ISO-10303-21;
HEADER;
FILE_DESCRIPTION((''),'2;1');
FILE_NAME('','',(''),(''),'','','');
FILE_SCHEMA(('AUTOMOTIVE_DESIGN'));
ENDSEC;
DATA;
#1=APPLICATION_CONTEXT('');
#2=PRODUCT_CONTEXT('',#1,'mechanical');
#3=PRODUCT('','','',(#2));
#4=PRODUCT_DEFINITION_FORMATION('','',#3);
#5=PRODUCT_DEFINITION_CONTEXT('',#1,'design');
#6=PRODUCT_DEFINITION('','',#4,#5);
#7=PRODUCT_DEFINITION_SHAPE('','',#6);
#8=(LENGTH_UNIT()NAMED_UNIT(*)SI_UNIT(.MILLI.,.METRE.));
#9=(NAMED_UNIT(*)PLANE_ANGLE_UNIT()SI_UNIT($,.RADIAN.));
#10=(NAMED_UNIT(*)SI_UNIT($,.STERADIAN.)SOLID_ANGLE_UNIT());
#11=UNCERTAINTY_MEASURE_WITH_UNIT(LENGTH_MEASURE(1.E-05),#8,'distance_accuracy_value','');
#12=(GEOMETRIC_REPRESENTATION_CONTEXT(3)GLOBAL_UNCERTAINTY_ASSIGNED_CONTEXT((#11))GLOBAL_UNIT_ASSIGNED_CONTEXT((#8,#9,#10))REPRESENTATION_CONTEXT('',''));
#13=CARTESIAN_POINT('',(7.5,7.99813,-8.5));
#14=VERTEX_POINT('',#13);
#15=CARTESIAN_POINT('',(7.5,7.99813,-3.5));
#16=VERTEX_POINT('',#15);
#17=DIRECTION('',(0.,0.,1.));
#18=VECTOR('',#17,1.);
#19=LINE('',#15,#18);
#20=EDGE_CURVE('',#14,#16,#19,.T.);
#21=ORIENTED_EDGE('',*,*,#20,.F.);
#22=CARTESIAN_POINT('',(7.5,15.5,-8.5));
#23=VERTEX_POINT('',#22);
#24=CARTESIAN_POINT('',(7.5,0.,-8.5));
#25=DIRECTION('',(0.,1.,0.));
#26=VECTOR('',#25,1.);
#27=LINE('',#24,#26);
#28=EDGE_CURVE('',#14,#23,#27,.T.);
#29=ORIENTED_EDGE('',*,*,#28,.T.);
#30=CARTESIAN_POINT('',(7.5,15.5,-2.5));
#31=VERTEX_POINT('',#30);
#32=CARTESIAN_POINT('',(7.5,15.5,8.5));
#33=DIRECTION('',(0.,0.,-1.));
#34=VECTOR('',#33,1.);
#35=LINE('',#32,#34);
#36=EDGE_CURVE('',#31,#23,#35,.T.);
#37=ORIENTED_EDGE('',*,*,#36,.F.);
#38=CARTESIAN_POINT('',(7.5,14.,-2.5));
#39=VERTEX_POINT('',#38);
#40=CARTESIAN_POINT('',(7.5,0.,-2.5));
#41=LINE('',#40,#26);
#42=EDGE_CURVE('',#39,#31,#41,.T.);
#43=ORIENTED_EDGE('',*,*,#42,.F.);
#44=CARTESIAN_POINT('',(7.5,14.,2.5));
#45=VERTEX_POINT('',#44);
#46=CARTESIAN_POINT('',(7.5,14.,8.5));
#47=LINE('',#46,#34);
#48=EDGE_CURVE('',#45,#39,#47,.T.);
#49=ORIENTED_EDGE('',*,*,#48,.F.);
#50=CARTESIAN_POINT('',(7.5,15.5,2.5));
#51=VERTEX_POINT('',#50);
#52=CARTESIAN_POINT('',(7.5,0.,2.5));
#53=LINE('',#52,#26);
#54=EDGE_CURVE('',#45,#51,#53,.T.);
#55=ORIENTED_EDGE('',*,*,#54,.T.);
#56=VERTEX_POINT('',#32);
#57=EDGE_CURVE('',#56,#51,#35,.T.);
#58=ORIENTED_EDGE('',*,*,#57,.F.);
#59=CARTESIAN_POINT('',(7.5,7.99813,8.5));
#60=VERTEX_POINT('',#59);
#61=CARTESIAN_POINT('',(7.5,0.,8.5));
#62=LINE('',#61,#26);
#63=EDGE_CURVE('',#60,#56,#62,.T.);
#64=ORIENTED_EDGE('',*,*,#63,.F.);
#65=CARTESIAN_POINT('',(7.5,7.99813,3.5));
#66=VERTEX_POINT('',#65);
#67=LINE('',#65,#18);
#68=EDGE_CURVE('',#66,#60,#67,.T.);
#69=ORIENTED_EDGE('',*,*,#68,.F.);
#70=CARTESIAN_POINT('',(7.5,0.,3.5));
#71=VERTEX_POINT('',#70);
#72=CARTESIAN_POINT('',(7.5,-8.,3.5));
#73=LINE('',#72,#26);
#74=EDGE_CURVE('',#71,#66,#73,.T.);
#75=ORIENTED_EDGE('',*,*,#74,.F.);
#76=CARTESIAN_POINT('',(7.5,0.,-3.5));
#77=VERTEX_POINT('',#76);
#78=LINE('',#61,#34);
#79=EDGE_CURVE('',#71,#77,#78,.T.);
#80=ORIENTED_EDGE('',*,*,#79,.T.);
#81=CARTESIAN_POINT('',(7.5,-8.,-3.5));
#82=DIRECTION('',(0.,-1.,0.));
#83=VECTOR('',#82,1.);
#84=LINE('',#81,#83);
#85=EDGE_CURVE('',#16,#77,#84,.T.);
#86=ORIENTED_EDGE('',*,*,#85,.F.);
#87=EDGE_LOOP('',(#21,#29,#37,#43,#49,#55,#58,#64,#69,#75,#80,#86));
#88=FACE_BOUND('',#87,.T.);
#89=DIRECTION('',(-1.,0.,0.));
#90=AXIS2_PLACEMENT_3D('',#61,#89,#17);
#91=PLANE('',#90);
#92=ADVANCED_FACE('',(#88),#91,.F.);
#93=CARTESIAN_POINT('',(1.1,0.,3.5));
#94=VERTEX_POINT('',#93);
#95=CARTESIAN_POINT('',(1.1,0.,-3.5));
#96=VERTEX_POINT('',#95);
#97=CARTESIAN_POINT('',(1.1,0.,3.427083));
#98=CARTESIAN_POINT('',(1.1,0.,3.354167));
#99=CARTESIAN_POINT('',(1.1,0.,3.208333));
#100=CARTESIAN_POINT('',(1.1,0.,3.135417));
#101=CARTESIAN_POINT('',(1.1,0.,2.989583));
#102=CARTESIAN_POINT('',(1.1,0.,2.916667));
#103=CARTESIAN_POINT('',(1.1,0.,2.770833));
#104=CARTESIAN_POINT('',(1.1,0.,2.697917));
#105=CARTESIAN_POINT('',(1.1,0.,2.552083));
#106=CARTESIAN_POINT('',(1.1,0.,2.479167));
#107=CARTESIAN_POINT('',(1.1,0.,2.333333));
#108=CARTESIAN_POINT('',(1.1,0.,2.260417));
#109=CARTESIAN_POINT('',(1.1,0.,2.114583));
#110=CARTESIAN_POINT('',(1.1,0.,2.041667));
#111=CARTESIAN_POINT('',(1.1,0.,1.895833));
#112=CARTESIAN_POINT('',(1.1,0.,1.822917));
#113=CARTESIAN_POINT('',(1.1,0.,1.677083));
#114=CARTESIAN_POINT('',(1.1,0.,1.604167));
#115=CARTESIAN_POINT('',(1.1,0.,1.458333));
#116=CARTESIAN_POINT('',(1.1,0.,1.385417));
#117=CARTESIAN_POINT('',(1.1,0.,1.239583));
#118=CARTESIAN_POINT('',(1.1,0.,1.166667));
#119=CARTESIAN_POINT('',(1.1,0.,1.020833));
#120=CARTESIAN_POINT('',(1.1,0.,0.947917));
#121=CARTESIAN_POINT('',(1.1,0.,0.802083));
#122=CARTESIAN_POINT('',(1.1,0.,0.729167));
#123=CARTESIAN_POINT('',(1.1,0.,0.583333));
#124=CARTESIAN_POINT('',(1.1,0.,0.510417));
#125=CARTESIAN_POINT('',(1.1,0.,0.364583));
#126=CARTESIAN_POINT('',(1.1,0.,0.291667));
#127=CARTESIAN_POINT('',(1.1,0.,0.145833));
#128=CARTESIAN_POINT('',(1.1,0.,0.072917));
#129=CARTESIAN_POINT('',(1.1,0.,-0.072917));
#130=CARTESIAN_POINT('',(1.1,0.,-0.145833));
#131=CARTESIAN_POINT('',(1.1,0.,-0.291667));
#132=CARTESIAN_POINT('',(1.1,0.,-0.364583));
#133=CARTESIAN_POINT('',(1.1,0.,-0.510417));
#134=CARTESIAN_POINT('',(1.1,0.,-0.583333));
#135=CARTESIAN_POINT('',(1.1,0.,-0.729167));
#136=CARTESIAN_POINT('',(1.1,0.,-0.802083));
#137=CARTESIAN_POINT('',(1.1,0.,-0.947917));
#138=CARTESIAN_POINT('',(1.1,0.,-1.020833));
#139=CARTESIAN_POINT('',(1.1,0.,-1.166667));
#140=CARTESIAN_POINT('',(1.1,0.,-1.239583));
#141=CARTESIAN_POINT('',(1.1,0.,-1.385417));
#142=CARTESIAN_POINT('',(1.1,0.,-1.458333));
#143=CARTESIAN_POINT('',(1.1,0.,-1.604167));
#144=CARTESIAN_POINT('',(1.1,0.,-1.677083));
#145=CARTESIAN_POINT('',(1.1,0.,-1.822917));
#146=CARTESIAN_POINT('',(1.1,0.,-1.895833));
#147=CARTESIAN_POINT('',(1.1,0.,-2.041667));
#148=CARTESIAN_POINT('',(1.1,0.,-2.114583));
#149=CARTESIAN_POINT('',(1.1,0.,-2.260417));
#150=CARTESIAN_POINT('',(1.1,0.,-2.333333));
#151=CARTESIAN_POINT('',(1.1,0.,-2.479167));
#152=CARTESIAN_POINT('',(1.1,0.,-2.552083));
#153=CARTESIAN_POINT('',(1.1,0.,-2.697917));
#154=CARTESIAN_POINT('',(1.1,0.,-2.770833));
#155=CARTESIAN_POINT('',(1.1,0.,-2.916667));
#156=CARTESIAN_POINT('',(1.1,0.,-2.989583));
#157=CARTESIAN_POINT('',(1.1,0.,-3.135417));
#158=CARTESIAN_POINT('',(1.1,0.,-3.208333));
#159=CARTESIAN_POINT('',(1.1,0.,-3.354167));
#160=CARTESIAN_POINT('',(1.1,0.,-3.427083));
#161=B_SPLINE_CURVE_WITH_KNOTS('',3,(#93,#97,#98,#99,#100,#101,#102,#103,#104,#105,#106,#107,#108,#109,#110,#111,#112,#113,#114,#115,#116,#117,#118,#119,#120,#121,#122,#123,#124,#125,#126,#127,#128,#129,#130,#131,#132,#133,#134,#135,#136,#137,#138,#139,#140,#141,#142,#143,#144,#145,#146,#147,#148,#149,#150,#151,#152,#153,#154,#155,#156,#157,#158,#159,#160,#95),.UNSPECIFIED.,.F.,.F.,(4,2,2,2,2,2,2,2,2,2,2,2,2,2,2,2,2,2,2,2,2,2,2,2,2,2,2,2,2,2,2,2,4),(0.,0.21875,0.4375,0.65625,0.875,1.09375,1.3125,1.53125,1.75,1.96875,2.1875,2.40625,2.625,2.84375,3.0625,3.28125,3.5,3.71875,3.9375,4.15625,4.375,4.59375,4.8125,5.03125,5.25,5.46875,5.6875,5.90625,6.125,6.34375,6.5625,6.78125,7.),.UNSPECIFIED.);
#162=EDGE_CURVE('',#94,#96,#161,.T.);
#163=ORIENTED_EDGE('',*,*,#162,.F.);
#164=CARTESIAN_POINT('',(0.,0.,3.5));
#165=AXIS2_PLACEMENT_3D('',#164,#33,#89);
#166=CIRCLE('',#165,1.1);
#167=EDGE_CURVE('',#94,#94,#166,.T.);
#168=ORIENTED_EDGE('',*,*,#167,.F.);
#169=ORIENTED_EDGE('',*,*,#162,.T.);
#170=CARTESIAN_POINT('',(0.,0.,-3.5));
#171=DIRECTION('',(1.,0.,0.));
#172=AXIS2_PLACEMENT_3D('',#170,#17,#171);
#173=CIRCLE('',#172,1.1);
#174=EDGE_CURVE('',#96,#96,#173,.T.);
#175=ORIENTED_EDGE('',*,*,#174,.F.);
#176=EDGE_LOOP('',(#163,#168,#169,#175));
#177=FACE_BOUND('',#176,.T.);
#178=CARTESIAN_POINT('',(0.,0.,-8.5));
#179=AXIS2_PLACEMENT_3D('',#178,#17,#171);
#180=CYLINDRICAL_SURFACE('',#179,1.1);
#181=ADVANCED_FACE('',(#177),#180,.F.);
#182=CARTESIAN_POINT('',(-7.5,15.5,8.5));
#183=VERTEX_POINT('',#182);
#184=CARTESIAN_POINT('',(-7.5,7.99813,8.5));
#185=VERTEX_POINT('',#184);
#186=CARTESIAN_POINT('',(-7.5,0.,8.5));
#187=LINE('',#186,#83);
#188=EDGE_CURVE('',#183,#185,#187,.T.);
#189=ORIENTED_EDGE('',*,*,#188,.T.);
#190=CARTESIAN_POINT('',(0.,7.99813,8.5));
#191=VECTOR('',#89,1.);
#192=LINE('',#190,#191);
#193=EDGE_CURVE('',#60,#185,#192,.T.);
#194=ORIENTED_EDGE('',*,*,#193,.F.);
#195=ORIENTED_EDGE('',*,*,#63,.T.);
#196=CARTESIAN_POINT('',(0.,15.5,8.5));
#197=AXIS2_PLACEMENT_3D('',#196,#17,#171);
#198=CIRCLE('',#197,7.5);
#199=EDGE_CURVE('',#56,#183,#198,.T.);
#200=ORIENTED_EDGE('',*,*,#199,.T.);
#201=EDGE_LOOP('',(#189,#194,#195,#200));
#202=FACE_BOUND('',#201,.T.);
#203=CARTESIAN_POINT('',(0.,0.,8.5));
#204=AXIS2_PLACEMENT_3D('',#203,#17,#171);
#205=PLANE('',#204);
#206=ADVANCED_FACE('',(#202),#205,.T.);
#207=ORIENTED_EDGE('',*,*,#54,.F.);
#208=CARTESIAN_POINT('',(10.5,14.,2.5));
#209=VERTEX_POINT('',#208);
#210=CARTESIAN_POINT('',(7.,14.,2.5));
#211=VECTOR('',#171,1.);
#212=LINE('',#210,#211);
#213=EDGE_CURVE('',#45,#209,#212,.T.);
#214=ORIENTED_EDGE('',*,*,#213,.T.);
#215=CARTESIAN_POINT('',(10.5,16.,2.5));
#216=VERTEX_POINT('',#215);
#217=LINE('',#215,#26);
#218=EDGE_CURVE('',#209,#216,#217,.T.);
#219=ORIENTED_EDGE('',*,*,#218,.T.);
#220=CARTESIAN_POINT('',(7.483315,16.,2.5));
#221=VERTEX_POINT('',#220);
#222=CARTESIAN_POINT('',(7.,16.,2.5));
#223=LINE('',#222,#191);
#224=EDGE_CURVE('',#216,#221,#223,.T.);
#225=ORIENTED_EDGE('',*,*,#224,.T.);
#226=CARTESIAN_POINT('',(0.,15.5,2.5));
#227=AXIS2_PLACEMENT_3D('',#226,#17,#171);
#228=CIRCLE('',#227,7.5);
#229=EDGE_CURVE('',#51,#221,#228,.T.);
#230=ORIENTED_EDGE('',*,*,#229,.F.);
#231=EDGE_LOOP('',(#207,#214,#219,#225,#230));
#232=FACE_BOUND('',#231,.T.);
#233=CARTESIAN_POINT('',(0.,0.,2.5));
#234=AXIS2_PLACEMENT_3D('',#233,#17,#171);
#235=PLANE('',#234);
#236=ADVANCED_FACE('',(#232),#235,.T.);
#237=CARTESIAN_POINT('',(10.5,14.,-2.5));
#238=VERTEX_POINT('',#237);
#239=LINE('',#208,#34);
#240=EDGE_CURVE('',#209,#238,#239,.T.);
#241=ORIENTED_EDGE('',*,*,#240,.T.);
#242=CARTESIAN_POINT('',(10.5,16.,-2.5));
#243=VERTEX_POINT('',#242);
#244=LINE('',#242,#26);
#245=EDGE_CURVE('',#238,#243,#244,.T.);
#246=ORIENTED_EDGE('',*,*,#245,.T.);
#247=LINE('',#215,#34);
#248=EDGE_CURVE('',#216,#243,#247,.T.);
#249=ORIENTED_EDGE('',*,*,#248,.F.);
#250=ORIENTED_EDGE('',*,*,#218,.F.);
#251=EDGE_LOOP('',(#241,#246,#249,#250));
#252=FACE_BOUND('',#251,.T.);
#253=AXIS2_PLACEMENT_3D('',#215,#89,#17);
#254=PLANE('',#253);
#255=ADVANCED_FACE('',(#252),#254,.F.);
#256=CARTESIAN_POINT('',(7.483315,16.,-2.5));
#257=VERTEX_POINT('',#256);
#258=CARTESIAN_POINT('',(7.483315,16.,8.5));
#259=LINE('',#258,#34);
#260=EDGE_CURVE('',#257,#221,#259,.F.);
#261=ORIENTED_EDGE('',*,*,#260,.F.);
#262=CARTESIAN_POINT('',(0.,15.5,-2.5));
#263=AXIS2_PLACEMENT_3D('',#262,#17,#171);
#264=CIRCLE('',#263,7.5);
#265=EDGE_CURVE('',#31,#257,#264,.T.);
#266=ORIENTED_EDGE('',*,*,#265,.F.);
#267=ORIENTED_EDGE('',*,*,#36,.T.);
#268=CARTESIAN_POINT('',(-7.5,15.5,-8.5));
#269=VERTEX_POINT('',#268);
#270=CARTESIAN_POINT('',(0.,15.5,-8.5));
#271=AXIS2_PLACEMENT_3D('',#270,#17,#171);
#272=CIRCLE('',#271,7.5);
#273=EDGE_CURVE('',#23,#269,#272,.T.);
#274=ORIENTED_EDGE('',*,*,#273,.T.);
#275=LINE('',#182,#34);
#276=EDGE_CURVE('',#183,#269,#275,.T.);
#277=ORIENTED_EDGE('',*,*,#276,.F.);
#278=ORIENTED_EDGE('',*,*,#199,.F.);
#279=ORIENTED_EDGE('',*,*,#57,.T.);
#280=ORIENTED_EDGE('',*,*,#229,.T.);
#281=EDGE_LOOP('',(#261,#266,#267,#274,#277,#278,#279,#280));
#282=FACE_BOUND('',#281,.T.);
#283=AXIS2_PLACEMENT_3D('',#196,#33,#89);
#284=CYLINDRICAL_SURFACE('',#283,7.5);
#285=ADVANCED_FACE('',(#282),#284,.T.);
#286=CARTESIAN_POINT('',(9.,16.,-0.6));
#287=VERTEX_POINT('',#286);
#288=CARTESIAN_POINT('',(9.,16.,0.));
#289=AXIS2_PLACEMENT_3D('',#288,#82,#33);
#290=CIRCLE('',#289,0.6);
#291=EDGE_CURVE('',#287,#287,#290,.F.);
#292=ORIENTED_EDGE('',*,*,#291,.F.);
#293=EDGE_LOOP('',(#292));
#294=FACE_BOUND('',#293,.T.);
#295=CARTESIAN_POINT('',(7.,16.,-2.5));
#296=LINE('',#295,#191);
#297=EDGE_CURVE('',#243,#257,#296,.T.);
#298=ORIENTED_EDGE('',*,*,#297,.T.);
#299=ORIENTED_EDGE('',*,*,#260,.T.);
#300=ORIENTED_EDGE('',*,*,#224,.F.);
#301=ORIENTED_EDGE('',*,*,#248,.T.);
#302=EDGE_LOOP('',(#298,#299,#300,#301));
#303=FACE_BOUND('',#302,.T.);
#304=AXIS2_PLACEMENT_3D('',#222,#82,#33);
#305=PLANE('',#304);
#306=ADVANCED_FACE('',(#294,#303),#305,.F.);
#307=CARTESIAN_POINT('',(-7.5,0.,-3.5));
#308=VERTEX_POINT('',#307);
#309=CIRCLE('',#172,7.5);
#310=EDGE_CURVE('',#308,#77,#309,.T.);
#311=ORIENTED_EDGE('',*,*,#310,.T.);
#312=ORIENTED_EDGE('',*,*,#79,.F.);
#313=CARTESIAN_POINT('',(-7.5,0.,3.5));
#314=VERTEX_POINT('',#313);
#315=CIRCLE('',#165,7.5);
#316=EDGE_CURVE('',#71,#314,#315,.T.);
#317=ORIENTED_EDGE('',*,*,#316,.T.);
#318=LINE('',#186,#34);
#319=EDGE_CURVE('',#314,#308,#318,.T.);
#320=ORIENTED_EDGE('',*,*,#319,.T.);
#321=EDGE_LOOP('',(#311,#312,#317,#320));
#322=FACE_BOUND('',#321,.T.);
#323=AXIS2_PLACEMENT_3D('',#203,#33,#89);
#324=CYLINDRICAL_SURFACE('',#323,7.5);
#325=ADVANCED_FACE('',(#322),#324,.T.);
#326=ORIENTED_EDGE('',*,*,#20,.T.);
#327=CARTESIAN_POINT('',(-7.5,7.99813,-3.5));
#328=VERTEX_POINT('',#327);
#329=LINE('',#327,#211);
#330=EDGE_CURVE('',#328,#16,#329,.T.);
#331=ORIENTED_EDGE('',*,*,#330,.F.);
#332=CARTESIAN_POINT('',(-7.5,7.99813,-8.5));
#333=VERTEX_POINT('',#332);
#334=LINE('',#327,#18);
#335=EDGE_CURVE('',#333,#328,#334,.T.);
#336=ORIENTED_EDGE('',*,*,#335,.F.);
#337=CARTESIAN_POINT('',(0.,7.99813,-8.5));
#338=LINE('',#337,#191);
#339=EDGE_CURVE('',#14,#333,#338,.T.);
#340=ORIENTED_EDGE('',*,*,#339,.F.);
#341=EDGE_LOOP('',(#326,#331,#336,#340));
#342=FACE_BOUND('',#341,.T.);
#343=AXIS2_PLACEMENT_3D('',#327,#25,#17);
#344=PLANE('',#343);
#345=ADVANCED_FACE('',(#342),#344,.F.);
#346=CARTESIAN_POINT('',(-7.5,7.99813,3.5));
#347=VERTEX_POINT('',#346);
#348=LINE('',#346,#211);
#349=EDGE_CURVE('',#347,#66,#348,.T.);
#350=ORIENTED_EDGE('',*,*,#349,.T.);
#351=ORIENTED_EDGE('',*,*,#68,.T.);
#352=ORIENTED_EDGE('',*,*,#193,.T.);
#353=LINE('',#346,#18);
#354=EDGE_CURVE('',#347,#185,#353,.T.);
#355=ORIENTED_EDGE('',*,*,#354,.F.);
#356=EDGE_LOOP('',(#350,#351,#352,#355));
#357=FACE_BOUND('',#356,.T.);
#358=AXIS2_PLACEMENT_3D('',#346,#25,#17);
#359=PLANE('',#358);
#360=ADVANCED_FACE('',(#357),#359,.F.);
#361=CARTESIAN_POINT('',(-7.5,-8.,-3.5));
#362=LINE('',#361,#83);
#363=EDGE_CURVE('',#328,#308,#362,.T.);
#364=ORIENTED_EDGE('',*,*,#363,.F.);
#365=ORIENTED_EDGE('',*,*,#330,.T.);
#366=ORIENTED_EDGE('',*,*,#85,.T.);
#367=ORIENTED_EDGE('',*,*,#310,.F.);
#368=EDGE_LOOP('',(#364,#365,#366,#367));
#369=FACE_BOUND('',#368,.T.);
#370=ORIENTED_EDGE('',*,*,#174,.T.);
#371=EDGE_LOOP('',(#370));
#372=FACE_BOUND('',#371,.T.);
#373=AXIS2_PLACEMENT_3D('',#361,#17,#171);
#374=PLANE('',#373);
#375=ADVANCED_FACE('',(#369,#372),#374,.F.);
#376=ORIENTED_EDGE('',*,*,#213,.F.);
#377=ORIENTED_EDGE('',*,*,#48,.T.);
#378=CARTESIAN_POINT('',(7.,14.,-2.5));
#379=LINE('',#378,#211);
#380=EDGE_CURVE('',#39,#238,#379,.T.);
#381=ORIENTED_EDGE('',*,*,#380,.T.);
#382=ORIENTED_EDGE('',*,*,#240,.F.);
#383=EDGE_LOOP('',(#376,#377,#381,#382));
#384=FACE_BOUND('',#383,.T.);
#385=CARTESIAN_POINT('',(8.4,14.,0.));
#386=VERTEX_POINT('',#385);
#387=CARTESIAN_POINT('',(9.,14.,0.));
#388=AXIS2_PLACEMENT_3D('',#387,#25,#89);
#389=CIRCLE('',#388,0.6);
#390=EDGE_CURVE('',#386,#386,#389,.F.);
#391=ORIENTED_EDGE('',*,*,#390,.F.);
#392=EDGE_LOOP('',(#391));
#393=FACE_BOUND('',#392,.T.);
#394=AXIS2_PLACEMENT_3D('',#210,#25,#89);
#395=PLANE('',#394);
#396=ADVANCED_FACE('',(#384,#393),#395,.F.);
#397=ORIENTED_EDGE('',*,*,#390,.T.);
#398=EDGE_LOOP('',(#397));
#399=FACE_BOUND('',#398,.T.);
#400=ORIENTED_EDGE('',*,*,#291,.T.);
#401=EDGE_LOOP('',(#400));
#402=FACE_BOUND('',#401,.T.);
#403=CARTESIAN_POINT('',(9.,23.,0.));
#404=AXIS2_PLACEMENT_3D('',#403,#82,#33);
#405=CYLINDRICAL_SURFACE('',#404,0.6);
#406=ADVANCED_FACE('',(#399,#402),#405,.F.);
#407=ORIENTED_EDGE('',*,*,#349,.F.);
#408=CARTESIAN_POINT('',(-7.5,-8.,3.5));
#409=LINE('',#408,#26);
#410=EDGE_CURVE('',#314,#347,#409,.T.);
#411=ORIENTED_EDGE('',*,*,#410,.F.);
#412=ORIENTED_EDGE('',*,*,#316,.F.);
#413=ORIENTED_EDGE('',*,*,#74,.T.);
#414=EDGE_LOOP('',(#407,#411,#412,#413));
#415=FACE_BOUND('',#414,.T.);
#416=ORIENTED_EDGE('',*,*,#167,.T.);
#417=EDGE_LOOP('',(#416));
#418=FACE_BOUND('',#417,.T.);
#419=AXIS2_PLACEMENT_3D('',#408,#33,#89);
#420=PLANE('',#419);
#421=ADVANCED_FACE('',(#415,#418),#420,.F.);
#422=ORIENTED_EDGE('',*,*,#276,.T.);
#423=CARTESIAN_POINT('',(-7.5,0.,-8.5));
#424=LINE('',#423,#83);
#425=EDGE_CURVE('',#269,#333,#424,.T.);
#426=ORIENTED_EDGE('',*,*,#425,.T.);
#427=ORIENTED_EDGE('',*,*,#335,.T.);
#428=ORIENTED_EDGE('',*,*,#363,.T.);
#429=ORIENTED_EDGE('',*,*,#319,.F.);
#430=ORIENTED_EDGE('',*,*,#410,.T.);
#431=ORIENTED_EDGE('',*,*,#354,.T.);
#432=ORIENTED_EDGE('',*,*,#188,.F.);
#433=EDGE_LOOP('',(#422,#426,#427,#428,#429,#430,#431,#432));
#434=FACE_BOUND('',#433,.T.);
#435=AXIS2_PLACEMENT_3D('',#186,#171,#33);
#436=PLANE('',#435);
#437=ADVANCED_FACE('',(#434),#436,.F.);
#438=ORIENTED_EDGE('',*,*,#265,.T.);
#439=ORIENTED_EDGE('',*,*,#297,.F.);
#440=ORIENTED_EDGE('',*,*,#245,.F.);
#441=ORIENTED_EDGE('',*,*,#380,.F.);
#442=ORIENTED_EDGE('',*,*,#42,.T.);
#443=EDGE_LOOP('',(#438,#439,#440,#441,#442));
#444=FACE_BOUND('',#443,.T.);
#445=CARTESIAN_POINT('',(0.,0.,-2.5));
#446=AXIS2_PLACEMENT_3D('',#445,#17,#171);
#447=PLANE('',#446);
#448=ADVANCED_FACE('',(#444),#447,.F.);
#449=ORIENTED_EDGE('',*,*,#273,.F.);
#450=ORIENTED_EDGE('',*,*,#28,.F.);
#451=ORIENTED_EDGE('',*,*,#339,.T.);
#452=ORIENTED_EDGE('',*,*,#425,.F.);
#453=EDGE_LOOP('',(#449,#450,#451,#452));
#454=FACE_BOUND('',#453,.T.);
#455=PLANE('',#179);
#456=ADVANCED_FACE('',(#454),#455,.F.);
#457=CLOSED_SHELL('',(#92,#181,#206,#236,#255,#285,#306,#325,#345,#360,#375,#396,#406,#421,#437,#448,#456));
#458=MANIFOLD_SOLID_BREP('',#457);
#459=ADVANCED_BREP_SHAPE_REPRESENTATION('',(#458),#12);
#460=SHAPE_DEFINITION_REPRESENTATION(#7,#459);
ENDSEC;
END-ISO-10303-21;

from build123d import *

# Parameters (mm, degrees)
LINK1_BODY_DEPTH       = 8.5
TONGUE_CUT_DEPTH       = 29.744564704
TONGUE_CUT_DEPTH_BACK  = 29.744564704
SKETCH1_W              = 5.5
SKETCH1_H              = 15.998130079
PIN_HOLES_DEPTH        = 26.64176281
PIN_HOLES_DEPTH_BACK   = 26.64176281
SKETCH3_R              = 1.1
SKETCH4_W              = 3.5
SKETCH4_H              = 2
GUIDE_BLOCK_1_DEPTH    = 2.5
CORD_GUIDES_DEPTH      = 27.673957337
CORD_GUIDES_DEPTH_BACK = 27.673957337
SKETCH6_R              = 0.6


with BuildPart() as part:
    # Link1_Outline → Link1_Body (new, symmetric)
    with BuildSketch(Plane.XY):
        with BuildLine():
            Line((-7.5, 0), (-7.5, 15.5))
            ThreePointArc((-7.5, 15.5), (0, 23), (7.5, 15.5))
            Line((7.5, 15.5), (7.5, 0))
            ThreePointArc((7.5, 0), (0, -7.5), (-7.5, 0))
        make_face()
    extrude(amount=LINK1_BODY_DEPTH, both=True)

    # Sketch1 → Tongue_Cut (cut, two sides: drawn at the far end of the back side and taken through both)
    with BuildSketch(Plane(origin=(7.5, 0, 0), x_dir=(0, 0, -1), z_dir=(1, 0, 0)).offset(-TONGUE_CUT_DEPTH_BACK)):
        with Locations((6.25, -0.00093496)):
            Rectangle(SKETCH1_W, SKETCH1_H)
        with Locations((-6.25, -0.00093496)):
            Rectangle(SKETCH1_W, SKETCH1_H)
    extrude(amount=TONGUE_CUT_DEPTH + TONGUE_CUT_DEPTH_BACK, mode=Mode.SUBTRACT)

    # Sketch3 → Pin_Holes (cut, two sides: drawn at the far end of the back side and taken through both)
    with BuildSketch(Plane.XY.offset(-PIN_HOLES_DEPTH_BACK)):
        Circle(SKETCH3_R)
    extrude(amount=PIN_HOLES_DEPTH + PIN_HOLES_DEPTH_BACK, mode=Mode.SUBTRACT)

    # Sketch4 → Guide_Block_1 (add, symmetric)
    with BuildSketch(Plane.XY):
        with Locations((8.75, 15)):
            Rectangle(SKETCH4_W, SKETCH4_H)
    extrude(amount=GUIDE_BLOCK_1_DEPTH, both=True)

    # Sketch6 → Cord_Guides (cut, two sides: drawn at the far end of the back side and taken through both)
    with BuildSketch(Plane(origin=(0, 0, 0), x_dir=(1, 0, 0), z_dir=(0, 1, 0)).offset(-CORD_GUIDES_DEPTH_BACK)):
        with Locations(Location((9, 0, 0), (0, 0, 90))):
            Circle(SKETCH6_R)
    extrude(amount=CORD_GUIDES_DEPTH + CORD_GUIDES_DEPTH_BACK, mode=Mode.SUBTRACT)


solid = part.part
